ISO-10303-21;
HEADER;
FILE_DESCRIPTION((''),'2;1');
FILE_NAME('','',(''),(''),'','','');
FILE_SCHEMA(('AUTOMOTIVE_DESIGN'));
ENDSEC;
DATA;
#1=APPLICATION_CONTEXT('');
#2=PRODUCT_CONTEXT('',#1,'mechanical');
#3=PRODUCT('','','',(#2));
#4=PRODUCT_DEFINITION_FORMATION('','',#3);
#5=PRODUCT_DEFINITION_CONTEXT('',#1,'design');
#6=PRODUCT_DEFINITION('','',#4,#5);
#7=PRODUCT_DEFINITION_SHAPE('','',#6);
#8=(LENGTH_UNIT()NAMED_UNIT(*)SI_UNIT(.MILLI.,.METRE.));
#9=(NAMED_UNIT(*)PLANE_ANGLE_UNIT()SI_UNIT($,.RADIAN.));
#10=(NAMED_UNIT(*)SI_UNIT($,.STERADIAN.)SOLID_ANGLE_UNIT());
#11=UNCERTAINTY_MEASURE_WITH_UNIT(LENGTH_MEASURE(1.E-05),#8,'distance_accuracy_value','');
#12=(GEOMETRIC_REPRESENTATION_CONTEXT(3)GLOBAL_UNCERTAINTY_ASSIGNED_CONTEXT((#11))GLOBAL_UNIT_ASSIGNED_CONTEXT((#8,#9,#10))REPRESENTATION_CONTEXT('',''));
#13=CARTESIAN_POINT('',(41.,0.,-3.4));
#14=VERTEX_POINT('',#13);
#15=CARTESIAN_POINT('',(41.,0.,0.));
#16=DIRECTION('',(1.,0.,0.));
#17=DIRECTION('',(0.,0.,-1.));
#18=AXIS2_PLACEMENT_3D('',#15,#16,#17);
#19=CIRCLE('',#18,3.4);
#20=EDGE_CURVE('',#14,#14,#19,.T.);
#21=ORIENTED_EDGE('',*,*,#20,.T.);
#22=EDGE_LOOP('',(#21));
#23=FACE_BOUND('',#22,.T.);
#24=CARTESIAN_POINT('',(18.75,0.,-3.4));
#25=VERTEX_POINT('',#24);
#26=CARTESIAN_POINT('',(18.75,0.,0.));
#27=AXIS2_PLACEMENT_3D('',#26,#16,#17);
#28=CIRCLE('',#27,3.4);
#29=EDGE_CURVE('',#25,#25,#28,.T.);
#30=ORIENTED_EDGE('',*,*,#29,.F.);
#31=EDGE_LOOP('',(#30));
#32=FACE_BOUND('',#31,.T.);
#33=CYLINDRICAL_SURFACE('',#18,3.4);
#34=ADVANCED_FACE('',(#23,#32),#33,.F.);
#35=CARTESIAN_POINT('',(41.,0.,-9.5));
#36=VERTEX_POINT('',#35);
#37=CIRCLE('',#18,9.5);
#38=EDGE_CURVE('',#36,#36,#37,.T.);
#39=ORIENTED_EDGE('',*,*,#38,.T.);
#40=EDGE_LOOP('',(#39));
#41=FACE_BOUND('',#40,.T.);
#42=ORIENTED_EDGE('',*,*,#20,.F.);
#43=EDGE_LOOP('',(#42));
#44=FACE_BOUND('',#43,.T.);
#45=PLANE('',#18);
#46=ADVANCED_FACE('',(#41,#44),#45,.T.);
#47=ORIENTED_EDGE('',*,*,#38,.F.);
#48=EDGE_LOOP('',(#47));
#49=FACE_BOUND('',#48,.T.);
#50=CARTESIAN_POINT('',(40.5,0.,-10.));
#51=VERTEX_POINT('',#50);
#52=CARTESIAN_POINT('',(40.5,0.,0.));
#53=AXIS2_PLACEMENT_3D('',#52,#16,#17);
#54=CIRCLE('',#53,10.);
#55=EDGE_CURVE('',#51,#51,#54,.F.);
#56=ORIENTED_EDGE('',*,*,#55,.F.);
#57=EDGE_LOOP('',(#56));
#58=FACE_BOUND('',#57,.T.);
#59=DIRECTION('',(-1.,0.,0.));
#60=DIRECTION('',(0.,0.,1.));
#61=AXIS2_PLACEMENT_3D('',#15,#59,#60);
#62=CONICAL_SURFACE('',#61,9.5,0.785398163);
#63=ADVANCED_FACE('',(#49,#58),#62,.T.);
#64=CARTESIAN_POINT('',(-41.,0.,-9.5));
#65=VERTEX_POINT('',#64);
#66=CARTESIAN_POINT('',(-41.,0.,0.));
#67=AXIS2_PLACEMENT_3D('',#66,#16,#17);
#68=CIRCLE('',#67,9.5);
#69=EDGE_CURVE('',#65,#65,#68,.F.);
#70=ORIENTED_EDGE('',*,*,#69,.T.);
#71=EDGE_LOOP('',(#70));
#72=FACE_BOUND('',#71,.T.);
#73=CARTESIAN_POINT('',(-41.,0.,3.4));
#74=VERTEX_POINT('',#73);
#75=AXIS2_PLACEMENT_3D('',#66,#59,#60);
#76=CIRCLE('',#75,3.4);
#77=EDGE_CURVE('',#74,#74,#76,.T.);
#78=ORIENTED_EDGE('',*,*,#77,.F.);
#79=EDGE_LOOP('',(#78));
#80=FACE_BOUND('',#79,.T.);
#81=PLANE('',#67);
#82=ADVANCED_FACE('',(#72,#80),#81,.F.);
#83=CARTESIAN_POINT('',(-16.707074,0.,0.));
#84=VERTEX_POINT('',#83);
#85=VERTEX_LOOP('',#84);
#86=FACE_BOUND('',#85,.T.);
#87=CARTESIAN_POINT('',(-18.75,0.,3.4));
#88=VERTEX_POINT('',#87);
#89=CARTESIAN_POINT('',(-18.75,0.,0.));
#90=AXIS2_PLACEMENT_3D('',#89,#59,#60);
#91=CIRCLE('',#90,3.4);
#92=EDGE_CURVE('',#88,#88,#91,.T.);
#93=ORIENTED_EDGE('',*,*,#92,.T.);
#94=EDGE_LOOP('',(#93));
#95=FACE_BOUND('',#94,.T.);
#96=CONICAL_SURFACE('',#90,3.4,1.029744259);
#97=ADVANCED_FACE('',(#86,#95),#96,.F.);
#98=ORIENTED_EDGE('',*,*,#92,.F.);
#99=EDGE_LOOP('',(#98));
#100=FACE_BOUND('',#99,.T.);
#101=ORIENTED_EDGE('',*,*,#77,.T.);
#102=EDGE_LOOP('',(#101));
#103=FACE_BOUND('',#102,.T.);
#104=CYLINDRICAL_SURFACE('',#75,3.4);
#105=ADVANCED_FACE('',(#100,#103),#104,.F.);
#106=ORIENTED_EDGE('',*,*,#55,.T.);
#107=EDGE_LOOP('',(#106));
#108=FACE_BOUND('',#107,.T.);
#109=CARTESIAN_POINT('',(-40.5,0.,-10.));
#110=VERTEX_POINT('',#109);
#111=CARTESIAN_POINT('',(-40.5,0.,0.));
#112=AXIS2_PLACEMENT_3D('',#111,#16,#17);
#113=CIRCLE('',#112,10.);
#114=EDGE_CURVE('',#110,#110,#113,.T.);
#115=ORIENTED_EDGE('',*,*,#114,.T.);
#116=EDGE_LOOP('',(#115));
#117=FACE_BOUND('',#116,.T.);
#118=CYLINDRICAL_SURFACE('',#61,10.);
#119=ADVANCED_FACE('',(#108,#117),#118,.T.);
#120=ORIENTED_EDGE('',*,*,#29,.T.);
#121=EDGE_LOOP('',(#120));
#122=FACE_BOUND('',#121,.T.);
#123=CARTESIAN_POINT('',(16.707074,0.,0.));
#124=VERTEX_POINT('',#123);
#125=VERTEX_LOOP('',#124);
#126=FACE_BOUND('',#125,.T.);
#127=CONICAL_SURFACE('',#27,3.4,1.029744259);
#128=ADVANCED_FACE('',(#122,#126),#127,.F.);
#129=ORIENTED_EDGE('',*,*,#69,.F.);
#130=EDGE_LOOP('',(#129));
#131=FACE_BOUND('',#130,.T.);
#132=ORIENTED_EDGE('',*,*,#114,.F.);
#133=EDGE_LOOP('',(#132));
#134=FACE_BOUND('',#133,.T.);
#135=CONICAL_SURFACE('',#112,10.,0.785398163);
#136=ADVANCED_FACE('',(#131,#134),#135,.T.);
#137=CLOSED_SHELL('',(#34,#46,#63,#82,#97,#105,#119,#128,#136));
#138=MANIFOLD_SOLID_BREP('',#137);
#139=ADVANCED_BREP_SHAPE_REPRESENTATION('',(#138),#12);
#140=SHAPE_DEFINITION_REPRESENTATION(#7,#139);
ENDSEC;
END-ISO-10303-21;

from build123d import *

# Parameters (mm, degrees)
SKETCH1_R             = 10
BOSS_EXTRUDE1_DEPTH   = 41
CHAMFER1_SIZE         = 0.5
M8_TAPPED_HOLE1_D     = 6.8
M8_TAPPED_HOLE1_DEPTH = 22.25
M8_TAPPED_HOLE1_TIP   = 2.042926105
M8_TAPPED_HOLE2_D     = 6.8
M8_TAPPED_HOLE2_DEPTH = 22.25
M8_TAPPED_HOLE2_TIP   = 2.042926105


with BuildPart() as part:
    # Sketch1 → Boss-Extrude1 (new, symmetric)
    with BuildSketch(Plane(origin=(0, 0, 0), x_dir=(0, 0, -1), z_dir=(1, 0, 0))):
        Circle(SKETCH1_R)
    extrude(amount=BOSS_EXTRUDE1_DEPTH, both=True)

    # Chamfer1
    chamfer1_edges = [part.edges().sort_by_distance(p)[0] for p in [
        (-41, 0, 10),
        (41, 0, 10),
    ]]
    chamfer(chamfer1_edges, length=CHAMFER1_SIZE)

    # M8 Tapped Hole1
    with Locations(Plane(origin=(41, 0, 0), x_dir=(0, 0, -1), z_dir=(1, 0, 0))):
        with Locations((0, 0)):
            Hole(M8_TAPPED_HOLE1_D / 2, depth=M8_TAPPED_HOLE1_DEPTH)
            with Locations((0, 0, -(M8_TAPPED_HOLE1_DEPTH + M8_TAPPED_HOLE1_TIP / 2))):  # 118° drill point
                Cone(0, M8_TAPPED_HOLE1_D / 2, M8_TAPPED_HOLE1_TIP, mode=Mode.SUBTRACT)

    # M8 Tapped Hole2
    with Locations(Plane.ZY.offset(41)):
        with Locations((0, 0)):
            Hole(M8_TAPPED_HOLE2_D / 2, depth=M8_TAPPED_HOLE2_DEPTH)
            with Locations((0, 0, -(M8_TAPPED_HOLE2_DEPTH + M8_TAPPED_HOLE2_TIP / 2))):  # 118° drill point
                Cone(0, M8_TAPPED_HOLE2_D / 2, M8_TAPPED_HOLE2_TIP, mode=Mode.SUBTRACT)


solid = part.part
